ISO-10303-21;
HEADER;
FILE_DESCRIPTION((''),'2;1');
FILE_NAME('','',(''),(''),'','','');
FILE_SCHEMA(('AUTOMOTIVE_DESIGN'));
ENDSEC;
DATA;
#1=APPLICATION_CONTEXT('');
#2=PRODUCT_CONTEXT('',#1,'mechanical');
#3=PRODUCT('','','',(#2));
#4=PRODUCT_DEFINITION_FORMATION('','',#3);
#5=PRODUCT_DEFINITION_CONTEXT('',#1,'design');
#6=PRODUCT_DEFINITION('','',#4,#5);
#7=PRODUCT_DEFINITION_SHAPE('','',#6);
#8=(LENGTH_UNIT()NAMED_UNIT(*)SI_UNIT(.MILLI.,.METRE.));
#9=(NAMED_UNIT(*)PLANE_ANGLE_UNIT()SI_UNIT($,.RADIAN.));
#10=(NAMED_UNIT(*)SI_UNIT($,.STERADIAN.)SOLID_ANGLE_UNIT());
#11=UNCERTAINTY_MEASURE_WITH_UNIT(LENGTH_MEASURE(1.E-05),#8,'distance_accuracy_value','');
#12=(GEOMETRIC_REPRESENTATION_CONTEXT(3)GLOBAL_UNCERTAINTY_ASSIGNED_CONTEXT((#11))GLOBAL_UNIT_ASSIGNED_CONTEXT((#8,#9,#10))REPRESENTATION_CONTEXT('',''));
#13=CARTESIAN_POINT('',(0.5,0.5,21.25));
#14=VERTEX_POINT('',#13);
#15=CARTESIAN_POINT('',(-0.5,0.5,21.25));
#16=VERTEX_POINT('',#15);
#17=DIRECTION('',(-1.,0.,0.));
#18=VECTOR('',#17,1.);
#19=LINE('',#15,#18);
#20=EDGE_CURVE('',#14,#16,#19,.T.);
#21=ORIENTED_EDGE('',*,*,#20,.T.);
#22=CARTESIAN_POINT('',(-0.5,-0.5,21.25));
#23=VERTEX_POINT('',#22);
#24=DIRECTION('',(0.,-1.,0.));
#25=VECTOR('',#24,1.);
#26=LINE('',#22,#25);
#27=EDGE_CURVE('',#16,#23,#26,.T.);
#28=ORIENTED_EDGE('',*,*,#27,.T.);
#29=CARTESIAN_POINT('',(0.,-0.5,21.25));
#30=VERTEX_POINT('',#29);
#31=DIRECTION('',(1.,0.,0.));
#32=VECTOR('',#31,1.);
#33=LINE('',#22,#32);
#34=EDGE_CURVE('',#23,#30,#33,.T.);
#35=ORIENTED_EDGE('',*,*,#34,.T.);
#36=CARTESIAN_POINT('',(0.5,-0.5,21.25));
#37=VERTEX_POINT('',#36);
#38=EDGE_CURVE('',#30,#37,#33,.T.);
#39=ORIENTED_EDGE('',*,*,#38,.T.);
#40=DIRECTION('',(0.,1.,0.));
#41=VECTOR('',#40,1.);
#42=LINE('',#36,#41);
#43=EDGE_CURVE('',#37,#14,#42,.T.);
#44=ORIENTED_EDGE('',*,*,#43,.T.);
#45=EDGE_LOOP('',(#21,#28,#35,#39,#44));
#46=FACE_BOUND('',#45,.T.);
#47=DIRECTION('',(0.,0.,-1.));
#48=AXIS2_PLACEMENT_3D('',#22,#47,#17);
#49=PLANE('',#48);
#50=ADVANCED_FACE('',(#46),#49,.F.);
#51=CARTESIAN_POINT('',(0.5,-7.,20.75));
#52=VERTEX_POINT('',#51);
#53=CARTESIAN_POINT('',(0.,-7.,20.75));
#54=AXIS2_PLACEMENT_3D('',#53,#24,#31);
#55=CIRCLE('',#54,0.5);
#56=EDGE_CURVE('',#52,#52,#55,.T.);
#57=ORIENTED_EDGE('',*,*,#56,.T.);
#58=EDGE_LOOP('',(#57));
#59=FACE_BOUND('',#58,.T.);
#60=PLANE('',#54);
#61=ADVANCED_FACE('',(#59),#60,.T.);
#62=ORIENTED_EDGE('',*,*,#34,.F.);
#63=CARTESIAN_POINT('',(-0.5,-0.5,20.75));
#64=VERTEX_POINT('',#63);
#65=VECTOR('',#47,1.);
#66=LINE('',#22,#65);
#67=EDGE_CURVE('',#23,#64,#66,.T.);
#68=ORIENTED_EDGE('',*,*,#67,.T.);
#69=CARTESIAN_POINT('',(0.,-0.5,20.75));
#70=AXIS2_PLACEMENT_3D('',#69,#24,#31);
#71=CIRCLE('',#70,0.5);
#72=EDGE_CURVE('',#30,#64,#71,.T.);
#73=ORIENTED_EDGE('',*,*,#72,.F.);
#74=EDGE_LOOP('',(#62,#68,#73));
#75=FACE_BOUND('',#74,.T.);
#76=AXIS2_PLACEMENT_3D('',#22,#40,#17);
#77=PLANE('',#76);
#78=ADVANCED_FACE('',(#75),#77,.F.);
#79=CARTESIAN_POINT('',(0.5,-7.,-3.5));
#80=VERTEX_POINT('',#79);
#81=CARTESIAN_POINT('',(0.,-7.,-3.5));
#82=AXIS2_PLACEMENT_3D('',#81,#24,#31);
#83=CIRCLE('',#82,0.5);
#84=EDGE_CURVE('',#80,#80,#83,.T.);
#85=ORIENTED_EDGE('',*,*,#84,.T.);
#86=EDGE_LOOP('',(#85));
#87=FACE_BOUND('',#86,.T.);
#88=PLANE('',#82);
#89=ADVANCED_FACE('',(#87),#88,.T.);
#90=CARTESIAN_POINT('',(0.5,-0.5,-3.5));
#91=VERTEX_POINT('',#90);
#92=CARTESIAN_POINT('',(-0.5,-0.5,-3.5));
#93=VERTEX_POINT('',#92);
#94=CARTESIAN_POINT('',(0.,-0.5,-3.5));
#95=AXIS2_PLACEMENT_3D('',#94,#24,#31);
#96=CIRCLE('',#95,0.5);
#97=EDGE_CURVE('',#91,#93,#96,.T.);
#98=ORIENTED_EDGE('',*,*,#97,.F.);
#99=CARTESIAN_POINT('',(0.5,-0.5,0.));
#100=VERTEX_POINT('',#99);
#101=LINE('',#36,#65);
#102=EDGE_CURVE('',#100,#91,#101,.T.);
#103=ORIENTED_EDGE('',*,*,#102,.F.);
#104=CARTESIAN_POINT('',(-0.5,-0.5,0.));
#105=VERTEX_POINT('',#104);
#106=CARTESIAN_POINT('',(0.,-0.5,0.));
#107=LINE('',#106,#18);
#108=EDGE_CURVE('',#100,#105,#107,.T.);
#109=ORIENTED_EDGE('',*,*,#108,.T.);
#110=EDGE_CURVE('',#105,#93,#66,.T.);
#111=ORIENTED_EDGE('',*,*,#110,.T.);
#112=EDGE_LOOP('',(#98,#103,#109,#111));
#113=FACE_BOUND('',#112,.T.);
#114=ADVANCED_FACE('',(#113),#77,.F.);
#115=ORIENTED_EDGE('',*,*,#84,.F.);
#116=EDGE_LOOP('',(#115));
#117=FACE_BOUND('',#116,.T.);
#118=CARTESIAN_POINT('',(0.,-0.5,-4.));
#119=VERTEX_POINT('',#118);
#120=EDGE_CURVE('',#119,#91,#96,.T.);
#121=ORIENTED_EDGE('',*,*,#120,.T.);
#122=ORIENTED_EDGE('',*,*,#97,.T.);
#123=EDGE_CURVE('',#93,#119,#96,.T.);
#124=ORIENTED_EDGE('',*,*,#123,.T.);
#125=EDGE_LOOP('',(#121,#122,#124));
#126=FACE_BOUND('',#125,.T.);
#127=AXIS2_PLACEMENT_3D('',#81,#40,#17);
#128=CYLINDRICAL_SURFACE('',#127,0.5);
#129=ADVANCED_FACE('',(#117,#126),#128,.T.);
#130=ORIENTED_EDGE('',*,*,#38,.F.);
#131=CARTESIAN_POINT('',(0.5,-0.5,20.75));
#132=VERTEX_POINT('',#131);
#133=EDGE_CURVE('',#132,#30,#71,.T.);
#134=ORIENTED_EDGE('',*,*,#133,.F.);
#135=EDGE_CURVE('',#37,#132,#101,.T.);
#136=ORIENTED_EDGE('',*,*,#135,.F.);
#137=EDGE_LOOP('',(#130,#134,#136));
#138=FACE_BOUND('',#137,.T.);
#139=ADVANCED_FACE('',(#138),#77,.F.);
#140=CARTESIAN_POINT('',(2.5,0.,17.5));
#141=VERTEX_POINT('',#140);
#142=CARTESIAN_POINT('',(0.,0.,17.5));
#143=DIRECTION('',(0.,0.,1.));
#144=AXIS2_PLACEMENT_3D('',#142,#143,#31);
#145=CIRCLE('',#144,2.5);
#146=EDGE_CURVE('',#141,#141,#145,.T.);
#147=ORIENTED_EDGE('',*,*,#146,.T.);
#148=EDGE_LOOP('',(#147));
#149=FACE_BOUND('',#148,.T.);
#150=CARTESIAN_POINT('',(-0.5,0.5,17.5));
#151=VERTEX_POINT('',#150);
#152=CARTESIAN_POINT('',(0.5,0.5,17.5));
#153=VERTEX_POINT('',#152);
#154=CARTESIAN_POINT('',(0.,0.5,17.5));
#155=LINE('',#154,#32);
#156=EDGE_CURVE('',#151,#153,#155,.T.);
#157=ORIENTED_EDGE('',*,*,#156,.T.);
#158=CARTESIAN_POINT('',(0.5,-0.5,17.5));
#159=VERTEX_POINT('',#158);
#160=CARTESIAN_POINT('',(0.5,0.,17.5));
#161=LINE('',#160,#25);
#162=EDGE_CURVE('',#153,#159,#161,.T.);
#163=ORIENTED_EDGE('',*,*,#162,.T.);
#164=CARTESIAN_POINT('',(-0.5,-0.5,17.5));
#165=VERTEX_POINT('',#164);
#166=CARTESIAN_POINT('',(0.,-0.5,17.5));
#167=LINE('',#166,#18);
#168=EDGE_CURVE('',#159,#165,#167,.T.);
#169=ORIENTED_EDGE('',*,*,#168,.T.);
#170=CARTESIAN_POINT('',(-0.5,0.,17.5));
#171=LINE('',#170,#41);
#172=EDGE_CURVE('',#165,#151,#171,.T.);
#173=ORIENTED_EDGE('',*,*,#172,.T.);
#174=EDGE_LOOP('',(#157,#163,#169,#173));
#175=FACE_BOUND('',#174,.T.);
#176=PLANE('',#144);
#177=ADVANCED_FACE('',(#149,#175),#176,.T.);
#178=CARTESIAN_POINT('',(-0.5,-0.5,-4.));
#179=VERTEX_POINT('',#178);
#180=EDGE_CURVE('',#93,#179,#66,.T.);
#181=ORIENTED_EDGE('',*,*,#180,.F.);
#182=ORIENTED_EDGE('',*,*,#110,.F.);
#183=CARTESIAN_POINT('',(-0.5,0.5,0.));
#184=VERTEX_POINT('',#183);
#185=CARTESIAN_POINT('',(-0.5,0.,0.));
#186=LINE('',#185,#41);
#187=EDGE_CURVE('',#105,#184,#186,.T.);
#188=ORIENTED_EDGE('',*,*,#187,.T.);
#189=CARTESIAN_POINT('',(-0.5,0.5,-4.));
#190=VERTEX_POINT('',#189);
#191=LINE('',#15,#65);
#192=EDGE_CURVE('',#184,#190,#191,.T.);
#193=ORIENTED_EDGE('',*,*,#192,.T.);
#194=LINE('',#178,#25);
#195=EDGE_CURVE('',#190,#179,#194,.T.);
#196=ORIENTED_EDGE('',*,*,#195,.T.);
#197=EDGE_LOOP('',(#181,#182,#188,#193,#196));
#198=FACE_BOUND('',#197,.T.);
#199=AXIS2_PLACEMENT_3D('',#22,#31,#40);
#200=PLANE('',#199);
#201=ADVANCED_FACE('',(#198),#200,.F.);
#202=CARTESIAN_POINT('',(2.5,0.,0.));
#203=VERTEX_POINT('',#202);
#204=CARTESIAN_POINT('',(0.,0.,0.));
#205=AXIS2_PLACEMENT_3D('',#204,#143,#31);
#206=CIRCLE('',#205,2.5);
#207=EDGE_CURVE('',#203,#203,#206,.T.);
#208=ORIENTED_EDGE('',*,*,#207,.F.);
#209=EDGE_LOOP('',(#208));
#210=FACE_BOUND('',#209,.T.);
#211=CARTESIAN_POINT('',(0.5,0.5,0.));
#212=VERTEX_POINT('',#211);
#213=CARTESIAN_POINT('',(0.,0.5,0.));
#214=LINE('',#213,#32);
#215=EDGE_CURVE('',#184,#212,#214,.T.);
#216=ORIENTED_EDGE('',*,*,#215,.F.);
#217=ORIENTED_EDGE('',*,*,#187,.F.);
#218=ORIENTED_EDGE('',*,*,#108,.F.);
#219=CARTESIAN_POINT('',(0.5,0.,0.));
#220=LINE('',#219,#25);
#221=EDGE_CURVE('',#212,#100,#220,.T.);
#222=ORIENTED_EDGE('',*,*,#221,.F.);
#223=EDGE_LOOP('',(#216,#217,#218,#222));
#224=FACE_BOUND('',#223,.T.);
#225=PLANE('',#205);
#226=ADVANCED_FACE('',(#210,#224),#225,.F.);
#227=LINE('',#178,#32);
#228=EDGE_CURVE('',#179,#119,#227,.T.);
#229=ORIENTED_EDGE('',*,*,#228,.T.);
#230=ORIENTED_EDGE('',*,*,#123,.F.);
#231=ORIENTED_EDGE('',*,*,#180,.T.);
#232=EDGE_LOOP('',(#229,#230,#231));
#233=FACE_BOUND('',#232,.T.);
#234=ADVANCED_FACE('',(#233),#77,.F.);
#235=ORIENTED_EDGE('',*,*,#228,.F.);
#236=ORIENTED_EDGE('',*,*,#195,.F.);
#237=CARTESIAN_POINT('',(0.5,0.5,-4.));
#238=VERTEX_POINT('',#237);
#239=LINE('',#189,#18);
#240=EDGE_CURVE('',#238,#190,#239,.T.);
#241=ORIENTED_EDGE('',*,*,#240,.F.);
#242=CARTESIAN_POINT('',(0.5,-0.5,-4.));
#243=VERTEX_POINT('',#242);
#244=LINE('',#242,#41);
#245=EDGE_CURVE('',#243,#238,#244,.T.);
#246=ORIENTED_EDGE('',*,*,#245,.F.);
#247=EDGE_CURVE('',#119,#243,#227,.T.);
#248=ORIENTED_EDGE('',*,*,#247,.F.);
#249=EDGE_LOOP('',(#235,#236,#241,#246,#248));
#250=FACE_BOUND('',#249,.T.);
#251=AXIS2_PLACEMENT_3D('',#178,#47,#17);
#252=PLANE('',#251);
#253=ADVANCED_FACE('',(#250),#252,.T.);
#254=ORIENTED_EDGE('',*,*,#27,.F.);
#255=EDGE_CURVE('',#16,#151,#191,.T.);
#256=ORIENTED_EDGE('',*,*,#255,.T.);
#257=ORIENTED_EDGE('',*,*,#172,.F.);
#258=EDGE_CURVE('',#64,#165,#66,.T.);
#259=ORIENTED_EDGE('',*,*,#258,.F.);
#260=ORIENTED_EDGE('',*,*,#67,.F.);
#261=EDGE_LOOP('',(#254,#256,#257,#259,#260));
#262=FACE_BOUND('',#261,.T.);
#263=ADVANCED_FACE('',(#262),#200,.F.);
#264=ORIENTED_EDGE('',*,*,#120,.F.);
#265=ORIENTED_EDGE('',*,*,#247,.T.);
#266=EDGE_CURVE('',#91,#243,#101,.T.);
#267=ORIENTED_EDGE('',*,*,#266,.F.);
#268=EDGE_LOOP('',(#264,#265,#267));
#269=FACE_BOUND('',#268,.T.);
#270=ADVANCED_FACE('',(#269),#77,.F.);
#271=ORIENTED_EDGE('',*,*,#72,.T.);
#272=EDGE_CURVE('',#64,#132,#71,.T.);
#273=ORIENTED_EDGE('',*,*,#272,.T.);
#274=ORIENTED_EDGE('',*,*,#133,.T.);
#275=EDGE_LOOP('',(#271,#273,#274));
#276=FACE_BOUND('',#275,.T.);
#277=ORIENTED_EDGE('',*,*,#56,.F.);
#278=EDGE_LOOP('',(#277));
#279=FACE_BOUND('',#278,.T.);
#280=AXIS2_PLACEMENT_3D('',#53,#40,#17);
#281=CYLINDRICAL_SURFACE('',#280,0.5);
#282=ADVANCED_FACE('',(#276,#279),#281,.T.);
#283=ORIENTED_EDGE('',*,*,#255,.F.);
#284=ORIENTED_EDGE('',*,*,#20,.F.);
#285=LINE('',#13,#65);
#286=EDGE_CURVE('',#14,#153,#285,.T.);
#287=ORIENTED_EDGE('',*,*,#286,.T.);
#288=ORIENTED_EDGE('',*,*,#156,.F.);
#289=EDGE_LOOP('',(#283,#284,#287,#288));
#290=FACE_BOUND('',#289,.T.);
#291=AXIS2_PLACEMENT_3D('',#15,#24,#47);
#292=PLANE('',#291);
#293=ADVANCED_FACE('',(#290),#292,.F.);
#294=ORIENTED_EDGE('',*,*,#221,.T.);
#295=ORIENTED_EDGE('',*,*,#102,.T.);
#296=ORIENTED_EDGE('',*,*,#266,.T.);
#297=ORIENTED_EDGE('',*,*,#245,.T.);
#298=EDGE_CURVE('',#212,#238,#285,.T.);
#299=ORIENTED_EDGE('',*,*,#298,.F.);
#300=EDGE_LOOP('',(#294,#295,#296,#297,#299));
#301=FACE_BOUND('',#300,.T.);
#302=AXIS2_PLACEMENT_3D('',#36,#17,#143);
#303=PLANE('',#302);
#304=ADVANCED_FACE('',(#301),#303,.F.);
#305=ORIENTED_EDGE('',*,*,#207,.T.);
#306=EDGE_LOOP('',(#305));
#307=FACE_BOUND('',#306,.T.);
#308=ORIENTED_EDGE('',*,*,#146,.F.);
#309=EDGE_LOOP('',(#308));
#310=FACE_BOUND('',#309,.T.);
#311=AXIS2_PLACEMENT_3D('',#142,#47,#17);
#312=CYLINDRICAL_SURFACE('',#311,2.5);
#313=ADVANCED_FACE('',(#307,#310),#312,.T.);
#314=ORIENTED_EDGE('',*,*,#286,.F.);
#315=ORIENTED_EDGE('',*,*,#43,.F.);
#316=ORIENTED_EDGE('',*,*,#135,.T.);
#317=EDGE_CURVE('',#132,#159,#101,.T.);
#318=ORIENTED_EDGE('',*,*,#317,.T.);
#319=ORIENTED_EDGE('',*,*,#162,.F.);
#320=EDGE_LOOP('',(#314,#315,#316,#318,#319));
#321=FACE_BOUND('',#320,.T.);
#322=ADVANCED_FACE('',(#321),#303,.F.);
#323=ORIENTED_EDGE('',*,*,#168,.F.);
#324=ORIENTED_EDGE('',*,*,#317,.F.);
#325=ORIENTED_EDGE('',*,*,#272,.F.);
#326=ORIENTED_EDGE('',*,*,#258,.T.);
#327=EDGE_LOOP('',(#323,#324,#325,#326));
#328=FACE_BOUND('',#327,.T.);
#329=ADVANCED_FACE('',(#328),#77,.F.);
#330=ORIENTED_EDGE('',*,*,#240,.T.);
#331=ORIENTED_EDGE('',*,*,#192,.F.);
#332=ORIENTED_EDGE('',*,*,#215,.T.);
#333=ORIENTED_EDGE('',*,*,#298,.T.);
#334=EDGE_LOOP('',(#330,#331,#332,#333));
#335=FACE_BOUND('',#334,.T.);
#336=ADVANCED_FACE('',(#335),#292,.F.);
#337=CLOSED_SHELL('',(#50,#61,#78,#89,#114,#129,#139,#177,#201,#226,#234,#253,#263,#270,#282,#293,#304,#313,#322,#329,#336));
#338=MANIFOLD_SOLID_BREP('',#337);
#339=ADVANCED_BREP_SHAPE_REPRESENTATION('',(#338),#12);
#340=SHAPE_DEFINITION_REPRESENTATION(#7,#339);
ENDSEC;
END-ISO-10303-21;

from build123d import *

# Parameters (mm, degrees)
SKETCH_1_R           = 2.5
EXTRUDE_1_DEPTH      = 17.5
EXTRUDE_2_DEPTH      = 3.75
EXTRUDE_2_DEPTH_BACK = 21.5
SKETCH_2_W           = 1
SKETCH_2_H           = 1
SKETCH_3_R           = 0.5
EXTRUDE_3_DEPTH      = 6.5


with BuildPart() as part:
    # Эскиз1 → Вытянуть1 (new body)
    with BuildSketch(Plane.XY):
        Circle(SKETCH_1_R)
    extrude(amount=EXTRUDE_1_DEPTH)

    # Эскиз2 → Вытянуть2 (add, two sides: drawn at the far end of the back side and taken through both)
    with BuildSketch(Plane.XY.offset(17.5).offset(-EXTRUDE_2_DEPTH_BACK)):
        Rectangle(SKETCH_2_W, SKETCH_2_H)
    extrude(amount=EXTRUDE_2_DEPTH + EXTRUDE_2_DEPTH_BACK)

    # Эскиз3 → Вытянуть3 (add)
    with BuildSketch(Plane.XZ.offset(0.5)):
        with Locations((0, 20.75)):
            Circle(SKETCH_3_R)
        with Locations((0, -3.5)):
            Circle(SKETCH_3_R)
    extrude(amount=EXTRUDE_3_DEPTH)


solid = part.part
